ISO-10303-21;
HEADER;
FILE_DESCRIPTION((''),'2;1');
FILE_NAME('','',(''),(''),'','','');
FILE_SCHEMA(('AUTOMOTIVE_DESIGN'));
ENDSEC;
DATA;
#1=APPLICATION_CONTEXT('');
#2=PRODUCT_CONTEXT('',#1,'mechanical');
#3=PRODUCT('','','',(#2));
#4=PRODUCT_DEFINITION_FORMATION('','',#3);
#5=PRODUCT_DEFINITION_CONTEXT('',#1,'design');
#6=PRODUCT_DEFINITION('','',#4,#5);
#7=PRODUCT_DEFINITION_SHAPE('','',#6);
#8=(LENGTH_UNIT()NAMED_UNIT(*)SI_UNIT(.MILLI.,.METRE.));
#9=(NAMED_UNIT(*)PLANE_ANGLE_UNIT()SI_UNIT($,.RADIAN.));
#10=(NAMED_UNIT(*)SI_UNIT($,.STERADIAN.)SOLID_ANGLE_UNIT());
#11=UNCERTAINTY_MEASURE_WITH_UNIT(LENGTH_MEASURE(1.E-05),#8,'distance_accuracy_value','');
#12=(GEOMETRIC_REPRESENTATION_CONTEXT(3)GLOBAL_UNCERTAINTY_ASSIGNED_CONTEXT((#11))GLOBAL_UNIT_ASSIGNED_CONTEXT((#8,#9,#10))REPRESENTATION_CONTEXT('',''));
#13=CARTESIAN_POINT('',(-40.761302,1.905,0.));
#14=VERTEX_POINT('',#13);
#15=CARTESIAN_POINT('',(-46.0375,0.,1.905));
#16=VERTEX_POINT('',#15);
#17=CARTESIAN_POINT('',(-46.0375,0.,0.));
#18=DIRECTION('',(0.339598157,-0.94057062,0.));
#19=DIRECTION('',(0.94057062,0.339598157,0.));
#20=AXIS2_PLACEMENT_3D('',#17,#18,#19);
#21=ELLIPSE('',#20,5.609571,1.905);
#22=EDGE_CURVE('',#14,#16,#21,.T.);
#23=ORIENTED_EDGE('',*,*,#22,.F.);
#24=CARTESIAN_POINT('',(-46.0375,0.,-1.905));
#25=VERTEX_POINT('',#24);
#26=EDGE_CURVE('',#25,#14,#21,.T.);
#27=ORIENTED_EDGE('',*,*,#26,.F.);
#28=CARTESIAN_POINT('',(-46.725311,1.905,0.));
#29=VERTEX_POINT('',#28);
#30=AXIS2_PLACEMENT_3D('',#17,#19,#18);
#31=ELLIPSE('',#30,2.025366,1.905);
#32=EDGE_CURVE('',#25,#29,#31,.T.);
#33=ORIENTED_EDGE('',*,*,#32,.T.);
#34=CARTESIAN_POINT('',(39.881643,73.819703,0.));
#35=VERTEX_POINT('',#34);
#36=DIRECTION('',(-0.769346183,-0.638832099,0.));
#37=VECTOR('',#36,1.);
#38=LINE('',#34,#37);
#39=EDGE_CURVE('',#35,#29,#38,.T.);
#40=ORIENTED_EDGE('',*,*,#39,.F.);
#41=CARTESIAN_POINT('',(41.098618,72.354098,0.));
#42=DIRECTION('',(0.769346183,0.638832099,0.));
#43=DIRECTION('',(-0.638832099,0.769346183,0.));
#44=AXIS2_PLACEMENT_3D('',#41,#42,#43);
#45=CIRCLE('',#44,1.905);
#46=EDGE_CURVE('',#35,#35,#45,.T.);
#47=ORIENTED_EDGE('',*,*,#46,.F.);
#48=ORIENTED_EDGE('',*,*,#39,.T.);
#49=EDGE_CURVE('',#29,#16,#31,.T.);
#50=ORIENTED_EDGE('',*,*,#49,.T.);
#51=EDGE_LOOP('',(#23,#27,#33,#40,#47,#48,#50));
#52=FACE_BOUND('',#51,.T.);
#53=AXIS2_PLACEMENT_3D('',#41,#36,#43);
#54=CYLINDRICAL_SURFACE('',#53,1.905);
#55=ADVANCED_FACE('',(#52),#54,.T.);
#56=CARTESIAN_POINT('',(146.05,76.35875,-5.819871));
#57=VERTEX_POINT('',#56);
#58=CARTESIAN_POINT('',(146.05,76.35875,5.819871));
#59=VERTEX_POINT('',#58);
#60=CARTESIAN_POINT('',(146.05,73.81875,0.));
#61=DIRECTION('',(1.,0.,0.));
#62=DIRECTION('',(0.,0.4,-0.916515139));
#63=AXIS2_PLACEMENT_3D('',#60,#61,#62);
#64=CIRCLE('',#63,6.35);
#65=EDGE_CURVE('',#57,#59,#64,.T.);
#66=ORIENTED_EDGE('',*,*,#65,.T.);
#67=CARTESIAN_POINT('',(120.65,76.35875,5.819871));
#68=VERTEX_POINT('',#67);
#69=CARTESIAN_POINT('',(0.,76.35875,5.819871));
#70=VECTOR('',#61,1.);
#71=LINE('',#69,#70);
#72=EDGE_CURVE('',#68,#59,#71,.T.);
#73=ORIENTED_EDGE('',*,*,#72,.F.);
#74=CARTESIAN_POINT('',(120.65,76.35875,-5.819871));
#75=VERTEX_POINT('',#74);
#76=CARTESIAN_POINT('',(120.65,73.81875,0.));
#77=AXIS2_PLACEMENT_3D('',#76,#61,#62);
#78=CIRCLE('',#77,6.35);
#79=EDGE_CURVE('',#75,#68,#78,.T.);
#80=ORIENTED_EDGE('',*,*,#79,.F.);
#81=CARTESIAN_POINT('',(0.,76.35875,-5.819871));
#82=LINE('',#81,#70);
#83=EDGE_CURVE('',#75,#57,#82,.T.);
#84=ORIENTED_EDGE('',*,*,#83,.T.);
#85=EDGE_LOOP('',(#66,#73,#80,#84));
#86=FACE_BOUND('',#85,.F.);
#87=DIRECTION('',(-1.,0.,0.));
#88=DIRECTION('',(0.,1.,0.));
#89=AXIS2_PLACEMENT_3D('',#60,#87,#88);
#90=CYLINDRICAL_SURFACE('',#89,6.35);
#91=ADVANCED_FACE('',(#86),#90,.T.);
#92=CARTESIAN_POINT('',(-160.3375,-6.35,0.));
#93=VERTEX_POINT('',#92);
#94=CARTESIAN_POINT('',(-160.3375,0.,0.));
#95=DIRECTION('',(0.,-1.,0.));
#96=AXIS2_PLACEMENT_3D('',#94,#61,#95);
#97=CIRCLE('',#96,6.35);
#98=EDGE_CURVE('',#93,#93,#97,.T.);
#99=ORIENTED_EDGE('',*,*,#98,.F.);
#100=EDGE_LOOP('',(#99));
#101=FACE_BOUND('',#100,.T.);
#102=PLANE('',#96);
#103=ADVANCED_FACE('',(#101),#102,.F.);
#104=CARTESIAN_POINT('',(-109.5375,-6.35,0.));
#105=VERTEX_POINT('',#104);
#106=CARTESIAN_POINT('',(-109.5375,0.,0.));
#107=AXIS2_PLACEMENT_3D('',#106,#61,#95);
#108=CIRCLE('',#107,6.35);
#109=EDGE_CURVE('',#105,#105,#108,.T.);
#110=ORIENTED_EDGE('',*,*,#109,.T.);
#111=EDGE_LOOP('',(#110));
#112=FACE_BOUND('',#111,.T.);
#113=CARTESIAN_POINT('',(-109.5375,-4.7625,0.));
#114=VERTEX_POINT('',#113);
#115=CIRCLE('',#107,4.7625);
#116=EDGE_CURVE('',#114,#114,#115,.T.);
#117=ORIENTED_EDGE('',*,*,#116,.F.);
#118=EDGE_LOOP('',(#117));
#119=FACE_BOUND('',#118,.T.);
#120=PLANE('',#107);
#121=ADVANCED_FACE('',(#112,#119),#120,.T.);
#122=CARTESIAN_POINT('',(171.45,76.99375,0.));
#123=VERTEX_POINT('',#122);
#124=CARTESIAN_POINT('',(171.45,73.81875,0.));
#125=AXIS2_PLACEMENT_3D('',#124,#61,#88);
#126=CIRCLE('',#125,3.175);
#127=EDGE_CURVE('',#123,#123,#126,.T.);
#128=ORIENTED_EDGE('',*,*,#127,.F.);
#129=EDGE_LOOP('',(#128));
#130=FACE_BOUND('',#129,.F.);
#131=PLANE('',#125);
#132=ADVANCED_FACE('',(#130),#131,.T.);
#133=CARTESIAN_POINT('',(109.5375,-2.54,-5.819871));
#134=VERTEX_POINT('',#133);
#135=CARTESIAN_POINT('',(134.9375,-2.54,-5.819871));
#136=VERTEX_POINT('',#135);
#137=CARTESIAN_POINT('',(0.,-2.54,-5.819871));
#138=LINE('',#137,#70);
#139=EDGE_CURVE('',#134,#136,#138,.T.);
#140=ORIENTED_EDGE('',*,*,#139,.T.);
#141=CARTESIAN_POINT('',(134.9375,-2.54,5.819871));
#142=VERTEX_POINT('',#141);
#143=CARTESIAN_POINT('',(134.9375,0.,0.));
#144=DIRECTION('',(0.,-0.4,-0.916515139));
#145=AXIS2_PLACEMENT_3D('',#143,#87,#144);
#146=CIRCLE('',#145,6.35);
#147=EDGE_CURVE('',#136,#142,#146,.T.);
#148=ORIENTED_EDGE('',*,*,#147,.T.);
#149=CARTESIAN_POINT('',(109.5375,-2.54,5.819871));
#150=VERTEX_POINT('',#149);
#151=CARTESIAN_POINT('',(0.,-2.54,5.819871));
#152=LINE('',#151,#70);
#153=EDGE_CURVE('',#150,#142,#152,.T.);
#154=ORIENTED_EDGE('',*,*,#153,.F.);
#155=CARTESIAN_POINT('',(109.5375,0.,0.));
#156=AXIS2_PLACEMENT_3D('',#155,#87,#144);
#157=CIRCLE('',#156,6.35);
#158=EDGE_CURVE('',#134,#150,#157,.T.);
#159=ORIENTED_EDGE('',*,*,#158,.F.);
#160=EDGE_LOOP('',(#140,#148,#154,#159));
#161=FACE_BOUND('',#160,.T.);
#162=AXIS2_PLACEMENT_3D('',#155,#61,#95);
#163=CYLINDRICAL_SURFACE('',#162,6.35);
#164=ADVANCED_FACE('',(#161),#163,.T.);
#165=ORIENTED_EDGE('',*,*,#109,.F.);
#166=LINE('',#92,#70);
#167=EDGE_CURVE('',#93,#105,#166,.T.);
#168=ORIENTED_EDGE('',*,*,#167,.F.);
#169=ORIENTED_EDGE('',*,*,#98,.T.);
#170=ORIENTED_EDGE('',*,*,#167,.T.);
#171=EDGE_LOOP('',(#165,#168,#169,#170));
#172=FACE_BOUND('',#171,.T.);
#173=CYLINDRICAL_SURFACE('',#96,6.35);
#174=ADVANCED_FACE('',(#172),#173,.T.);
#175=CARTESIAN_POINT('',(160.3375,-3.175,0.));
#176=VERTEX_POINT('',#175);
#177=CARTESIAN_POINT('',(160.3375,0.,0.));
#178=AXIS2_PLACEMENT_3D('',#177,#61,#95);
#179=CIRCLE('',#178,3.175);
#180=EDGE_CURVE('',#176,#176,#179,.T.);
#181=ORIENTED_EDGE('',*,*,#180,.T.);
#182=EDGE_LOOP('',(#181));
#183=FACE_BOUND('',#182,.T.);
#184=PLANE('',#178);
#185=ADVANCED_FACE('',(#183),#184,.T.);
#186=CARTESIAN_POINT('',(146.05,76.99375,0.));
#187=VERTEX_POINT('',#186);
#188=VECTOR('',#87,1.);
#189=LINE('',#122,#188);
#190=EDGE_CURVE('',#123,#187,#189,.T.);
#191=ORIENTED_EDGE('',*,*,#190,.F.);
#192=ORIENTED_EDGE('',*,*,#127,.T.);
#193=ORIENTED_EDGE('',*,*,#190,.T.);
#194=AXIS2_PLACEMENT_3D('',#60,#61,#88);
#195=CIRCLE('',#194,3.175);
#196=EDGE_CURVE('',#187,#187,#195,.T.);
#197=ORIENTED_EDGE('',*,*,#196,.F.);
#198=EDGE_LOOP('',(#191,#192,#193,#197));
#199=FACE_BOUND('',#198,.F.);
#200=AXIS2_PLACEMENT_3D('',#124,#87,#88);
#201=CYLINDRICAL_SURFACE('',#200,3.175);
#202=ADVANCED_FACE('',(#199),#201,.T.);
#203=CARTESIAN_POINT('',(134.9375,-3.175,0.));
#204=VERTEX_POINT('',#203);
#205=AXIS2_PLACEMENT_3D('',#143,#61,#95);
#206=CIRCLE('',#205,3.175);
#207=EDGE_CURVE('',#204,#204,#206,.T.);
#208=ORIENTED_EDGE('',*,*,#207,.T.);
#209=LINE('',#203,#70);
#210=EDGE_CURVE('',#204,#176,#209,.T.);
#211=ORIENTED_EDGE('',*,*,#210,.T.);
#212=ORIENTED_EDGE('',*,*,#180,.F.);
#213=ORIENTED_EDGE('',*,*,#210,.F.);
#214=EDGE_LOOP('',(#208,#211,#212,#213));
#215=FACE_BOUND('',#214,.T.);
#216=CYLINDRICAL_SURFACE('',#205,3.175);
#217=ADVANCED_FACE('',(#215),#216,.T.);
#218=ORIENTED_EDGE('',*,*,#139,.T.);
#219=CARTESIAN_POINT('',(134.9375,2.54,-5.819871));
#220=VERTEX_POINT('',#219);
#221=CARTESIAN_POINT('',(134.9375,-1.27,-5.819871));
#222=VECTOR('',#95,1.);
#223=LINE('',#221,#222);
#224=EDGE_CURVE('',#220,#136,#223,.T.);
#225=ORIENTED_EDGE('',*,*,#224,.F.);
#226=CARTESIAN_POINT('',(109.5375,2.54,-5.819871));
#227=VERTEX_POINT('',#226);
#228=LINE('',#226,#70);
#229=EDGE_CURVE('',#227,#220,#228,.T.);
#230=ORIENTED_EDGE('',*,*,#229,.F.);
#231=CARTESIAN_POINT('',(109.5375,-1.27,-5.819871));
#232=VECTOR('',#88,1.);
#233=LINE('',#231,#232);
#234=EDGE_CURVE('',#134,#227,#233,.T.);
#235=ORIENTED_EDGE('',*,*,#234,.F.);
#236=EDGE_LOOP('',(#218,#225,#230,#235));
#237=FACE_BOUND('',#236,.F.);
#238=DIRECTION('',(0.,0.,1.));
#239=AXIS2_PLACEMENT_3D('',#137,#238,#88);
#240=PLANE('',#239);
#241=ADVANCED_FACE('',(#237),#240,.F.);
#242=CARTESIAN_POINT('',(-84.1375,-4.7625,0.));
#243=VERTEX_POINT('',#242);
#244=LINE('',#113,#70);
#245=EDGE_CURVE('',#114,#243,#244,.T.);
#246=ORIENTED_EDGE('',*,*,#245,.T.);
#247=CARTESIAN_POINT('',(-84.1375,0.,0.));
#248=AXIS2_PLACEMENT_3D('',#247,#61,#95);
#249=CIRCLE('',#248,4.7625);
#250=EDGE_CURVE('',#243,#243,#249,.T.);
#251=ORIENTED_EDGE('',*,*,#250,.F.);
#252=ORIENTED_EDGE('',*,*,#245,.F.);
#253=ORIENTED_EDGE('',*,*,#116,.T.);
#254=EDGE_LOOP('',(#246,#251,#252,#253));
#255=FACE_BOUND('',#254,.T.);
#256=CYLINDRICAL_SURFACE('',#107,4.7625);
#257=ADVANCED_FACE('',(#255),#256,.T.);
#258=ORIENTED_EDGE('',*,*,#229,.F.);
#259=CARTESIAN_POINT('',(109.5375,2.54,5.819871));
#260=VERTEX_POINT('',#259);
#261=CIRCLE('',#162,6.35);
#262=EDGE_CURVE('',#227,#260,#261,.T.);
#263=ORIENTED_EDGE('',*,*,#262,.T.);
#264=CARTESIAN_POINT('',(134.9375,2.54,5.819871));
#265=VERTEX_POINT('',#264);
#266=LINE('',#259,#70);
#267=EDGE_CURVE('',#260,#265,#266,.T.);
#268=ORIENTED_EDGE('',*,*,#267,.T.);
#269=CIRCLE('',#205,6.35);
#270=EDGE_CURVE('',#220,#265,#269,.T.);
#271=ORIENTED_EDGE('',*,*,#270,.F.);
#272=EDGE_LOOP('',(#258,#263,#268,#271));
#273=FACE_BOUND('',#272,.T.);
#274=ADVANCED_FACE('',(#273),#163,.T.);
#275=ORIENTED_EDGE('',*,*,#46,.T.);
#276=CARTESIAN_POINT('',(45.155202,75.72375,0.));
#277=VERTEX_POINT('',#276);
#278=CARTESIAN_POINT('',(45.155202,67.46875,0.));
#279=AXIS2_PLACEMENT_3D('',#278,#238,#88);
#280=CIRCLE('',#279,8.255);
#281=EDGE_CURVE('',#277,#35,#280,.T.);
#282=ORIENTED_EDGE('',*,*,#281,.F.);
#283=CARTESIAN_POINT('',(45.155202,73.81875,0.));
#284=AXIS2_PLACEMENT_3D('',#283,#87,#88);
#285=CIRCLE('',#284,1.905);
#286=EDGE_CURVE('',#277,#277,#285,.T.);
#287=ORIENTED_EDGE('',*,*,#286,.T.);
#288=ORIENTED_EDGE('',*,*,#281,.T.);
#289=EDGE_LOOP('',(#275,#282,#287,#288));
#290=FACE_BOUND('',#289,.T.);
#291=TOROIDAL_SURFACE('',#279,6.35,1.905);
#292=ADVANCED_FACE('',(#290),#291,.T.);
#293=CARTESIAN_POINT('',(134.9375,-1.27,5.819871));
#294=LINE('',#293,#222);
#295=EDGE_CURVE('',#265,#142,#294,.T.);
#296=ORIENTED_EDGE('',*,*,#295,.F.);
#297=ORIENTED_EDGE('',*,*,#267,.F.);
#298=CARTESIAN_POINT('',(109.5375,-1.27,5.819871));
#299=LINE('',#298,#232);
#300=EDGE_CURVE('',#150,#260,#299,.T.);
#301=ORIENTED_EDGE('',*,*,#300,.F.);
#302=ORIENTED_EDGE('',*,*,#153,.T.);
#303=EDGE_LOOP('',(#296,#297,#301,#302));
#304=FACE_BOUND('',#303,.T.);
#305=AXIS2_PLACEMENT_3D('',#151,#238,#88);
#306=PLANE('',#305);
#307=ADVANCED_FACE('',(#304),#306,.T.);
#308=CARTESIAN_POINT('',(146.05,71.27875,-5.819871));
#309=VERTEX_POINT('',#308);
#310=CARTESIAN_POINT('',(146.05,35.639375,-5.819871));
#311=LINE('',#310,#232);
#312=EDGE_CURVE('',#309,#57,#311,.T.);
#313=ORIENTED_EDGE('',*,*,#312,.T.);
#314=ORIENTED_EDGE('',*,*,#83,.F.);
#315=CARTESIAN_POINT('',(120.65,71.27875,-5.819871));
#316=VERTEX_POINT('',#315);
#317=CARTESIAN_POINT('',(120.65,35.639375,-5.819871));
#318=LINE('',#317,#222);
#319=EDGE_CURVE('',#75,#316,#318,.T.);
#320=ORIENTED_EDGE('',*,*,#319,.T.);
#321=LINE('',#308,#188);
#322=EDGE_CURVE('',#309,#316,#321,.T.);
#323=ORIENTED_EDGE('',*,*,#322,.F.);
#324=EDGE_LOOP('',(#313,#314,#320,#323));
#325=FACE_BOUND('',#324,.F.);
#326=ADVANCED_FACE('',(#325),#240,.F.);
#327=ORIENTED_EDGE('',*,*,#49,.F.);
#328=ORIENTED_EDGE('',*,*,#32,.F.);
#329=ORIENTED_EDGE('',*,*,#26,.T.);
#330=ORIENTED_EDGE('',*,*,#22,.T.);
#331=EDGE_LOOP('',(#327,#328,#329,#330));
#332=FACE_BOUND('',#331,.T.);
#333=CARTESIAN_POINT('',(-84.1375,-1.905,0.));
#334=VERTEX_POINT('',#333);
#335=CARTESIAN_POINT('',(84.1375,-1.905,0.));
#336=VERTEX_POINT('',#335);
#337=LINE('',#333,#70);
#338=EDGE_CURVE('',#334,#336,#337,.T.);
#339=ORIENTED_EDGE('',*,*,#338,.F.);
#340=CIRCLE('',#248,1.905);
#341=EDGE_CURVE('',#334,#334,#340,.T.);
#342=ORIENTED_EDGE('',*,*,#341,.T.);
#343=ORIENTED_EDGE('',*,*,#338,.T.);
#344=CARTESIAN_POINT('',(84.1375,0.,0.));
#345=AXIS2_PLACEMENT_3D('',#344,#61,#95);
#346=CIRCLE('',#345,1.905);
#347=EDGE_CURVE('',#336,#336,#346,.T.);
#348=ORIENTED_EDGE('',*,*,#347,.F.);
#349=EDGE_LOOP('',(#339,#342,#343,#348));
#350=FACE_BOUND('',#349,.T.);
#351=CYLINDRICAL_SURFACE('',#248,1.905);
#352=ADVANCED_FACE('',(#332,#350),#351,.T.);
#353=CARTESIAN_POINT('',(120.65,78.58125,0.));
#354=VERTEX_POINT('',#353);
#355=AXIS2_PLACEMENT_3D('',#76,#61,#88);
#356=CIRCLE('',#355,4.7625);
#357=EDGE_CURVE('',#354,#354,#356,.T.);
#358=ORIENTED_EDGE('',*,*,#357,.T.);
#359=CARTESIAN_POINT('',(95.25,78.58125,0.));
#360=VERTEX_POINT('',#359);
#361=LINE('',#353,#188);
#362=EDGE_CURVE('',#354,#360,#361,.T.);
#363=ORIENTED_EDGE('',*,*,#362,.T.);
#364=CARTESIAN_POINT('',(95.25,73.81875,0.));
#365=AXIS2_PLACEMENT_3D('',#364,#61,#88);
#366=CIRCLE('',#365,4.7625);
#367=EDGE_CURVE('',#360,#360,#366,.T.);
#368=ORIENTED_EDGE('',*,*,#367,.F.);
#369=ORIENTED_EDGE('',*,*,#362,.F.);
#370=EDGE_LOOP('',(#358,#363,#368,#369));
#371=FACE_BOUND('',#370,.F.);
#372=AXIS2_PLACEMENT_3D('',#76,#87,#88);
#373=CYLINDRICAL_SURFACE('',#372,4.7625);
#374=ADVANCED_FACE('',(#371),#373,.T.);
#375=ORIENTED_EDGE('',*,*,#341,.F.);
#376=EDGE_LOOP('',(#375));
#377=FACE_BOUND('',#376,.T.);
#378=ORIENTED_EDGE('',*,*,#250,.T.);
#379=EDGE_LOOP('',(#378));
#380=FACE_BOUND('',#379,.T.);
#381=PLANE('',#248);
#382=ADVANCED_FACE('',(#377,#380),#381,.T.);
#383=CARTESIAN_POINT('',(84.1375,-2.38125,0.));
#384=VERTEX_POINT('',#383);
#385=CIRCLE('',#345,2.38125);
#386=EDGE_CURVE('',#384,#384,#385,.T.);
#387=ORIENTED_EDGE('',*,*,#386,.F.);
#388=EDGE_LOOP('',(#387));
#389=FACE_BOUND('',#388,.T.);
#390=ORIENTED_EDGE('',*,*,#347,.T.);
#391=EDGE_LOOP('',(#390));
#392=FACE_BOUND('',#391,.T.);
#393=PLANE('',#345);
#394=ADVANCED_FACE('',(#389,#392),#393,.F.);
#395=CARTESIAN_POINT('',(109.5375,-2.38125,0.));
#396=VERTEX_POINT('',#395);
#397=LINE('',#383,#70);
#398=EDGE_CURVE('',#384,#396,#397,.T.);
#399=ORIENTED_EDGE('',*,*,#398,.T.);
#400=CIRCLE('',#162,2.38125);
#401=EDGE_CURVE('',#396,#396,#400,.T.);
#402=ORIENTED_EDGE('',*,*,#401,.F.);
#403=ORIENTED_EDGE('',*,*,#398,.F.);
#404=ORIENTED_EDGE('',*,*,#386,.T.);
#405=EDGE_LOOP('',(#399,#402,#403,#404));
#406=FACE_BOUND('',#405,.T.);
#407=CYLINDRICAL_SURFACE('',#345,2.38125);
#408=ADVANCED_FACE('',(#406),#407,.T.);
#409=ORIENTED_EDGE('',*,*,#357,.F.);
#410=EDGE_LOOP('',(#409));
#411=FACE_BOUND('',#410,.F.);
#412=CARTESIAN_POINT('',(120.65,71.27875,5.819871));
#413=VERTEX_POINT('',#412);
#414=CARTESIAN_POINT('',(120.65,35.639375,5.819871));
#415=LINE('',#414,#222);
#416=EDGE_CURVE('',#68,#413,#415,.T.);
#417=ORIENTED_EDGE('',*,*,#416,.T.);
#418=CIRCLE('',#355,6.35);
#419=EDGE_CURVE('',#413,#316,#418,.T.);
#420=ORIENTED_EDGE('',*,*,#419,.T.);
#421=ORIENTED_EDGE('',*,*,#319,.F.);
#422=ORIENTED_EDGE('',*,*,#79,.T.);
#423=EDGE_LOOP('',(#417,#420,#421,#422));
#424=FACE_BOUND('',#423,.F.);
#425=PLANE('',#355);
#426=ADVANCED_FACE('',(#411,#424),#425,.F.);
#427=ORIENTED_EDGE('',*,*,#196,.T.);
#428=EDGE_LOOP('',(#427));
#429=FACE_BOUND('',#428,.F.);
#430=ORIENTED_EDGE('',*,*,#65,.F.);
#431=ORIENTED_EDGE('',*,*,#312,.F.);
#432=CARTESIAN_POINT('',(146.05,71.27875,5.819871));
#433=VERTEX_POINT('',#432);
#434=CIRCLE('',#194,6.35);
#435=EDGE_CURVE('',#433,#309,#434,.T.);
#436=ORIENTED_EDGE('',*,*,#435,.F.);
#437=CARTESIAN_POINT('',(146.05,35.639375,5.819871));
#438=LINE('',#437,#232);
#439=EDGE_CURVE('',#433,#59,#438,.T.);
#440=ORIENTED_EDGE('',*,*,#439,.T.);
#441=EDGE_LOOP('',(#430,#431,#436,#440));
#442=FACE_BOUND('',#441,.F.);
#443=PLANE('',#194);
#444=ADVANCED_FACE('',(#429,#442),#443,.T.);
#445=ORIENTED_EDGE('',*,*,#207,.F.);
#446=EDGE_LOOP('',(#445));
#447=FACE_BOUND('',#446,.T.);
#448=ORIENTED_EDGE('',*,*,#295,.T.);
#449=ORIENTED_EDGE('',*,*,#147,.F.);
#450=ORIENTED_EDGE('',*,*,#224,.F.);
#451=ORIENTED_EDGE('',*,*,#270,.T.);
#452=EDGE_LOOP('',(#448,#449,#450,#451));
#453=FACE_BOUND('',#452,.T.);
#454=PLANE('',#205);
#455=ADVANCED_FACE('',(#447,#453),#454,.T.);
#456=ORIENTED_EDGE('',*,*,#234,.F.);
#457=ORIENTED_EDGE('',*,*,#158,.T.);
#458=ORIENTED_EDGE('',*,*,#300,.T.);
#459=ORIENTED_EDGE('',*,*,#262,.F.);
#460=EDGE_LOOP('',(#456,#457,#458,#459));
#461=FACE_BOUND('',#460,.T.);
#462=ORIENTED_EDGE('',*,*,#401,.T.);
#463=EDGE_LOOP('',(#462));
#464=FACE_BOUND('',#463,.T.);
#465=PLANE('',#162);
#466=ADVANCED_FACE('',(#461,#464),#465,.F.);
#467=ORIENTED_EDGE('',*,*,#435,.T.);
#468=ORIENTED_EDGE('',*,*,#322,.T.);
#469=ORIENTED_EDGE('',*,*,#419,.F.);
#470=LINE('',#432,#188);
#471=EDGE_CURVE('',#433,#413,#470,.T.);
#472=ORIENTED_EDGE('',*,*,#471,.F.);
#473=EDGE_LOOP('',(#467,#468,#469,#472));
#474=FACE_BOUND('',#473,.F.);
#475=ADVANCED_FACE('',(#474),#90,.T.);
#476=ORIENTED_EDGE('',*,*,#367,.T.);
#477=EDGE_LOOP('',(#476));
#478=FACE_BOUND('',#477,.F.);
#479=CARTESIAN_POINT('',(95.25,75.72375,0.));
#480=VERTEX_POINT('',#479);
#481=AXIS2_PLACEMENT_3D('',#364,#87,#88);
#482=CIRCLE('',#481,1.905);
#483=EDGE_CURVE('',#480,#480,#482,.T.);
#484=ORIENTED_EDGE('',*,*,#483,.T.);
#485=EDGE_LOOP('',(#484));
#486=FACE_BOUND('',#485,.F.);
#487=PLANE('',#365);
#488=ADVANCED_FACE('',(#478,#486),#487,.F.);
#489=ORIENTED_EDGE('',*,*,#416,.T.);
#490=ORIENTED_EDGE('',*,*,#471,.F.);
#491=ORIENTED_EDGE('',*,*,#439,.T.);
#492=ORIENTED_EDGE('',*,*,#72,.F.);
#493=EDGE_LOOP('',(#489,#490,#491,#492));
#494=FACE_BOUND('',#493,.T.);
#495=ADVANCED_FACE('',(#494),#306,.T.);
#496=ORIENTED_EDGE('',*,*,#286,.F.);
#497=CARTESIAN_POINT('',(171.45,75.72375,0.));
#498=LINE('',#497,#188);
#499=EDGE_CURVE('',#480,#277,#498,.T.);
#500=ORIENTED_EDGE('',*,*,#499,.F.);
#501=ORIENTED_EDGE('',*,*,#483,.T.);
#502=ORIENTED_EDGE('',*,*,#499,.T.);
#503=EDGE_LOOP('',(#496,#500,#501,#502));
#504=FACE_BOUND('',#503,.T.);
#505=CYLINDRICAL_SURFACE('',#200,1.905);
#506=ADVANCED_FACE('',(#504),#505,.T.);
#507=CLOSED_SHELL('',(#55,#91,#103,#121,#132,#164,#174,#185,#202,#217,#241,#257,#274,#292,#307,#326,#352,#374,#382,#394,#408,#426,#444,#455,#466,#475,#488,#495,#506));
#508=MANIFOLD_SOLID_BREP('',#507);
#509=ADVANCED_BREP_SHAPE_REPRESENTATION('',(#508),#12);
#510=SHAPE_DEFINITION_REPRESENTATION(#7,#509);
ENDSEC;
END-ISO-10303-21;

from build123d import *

# Parameters (mm, degrees)
F3_R     = 1.905
F7_W     = 78.89875
F7_H     = 0.5301288674
F8_DEPTH = 171.451


with BuildPart() as f1:
    # F0 (on Top) → F1 (revolve)
    with BuildSketch(Plane.XY):
        Polygon((-46.0375, 0), (-160.3375, 0), (-160.3375, -6.35), (-109.5375, -6.35), (-109.5375, -4.7625), (-84.1375, -4.7625), (-84.1375, -1.905), (84.1375, -1.905), (84.1375, -2.38125), (109.5375, -2.38125), (109.5375, -6.35), (134.9375, -6.35), (134.9375, -3.175), (160.3375, -3.175), (160.3375, 0), align=None)
    revolve(axis=Axis((40.7620462889, 0, 0), (1, 0, 0)))

    # F4: sweep along a path in F0
    with BuildLine(Plane.XY) as f4_path:
        Line((171.45, 73.81875), (45.1552021657, 73.81875))
        ThreePointArc((45.1552021657, 73.81875), (42.9987538677, 73.4413734385), (41.0986183394, 72.3540982639))
        Line((41.0986183394, 72.3540982639), (-46.0375, 0))
    # F3 (on plane+point) → F4 (sweep)
    with BuildSketch(Plane.YZ.offset(171.45)):
        with Locations((73.81875, 0)):
            Circle(F3_R)
    sweep(path=f4_path.line)

    # F5 (on Top) → F6 (revolve)
    with BuildSketch(Plane.XY):
        Polygon((95.25, 73.81875), (171.45, 73.81875), (171.45, 76.99375), (146.05, 76.99375), (146.05, 80.16875), (120.65, 80.16875), (120.65, 78.58125), (95.25, 78.58125), align=None)
    revolve(axis=Axis((128.362800926, 73.81875, 0), (1, 0, 0)))

    # F7 (on Right) → F8 (cut, through all)
    with BuildSketch(Plane.YZ):
        with Locations((36.909375, 6.0849355663)):
            Rectangle(F7_W, F7_H)
        with Locations((36.909375, -6.0849355663)):
            Rectangle(F7_W, F7_H)
    extrude(amount=F8_DEPTH, mode=Mode.SUBTRACT)


solid = f1.part
